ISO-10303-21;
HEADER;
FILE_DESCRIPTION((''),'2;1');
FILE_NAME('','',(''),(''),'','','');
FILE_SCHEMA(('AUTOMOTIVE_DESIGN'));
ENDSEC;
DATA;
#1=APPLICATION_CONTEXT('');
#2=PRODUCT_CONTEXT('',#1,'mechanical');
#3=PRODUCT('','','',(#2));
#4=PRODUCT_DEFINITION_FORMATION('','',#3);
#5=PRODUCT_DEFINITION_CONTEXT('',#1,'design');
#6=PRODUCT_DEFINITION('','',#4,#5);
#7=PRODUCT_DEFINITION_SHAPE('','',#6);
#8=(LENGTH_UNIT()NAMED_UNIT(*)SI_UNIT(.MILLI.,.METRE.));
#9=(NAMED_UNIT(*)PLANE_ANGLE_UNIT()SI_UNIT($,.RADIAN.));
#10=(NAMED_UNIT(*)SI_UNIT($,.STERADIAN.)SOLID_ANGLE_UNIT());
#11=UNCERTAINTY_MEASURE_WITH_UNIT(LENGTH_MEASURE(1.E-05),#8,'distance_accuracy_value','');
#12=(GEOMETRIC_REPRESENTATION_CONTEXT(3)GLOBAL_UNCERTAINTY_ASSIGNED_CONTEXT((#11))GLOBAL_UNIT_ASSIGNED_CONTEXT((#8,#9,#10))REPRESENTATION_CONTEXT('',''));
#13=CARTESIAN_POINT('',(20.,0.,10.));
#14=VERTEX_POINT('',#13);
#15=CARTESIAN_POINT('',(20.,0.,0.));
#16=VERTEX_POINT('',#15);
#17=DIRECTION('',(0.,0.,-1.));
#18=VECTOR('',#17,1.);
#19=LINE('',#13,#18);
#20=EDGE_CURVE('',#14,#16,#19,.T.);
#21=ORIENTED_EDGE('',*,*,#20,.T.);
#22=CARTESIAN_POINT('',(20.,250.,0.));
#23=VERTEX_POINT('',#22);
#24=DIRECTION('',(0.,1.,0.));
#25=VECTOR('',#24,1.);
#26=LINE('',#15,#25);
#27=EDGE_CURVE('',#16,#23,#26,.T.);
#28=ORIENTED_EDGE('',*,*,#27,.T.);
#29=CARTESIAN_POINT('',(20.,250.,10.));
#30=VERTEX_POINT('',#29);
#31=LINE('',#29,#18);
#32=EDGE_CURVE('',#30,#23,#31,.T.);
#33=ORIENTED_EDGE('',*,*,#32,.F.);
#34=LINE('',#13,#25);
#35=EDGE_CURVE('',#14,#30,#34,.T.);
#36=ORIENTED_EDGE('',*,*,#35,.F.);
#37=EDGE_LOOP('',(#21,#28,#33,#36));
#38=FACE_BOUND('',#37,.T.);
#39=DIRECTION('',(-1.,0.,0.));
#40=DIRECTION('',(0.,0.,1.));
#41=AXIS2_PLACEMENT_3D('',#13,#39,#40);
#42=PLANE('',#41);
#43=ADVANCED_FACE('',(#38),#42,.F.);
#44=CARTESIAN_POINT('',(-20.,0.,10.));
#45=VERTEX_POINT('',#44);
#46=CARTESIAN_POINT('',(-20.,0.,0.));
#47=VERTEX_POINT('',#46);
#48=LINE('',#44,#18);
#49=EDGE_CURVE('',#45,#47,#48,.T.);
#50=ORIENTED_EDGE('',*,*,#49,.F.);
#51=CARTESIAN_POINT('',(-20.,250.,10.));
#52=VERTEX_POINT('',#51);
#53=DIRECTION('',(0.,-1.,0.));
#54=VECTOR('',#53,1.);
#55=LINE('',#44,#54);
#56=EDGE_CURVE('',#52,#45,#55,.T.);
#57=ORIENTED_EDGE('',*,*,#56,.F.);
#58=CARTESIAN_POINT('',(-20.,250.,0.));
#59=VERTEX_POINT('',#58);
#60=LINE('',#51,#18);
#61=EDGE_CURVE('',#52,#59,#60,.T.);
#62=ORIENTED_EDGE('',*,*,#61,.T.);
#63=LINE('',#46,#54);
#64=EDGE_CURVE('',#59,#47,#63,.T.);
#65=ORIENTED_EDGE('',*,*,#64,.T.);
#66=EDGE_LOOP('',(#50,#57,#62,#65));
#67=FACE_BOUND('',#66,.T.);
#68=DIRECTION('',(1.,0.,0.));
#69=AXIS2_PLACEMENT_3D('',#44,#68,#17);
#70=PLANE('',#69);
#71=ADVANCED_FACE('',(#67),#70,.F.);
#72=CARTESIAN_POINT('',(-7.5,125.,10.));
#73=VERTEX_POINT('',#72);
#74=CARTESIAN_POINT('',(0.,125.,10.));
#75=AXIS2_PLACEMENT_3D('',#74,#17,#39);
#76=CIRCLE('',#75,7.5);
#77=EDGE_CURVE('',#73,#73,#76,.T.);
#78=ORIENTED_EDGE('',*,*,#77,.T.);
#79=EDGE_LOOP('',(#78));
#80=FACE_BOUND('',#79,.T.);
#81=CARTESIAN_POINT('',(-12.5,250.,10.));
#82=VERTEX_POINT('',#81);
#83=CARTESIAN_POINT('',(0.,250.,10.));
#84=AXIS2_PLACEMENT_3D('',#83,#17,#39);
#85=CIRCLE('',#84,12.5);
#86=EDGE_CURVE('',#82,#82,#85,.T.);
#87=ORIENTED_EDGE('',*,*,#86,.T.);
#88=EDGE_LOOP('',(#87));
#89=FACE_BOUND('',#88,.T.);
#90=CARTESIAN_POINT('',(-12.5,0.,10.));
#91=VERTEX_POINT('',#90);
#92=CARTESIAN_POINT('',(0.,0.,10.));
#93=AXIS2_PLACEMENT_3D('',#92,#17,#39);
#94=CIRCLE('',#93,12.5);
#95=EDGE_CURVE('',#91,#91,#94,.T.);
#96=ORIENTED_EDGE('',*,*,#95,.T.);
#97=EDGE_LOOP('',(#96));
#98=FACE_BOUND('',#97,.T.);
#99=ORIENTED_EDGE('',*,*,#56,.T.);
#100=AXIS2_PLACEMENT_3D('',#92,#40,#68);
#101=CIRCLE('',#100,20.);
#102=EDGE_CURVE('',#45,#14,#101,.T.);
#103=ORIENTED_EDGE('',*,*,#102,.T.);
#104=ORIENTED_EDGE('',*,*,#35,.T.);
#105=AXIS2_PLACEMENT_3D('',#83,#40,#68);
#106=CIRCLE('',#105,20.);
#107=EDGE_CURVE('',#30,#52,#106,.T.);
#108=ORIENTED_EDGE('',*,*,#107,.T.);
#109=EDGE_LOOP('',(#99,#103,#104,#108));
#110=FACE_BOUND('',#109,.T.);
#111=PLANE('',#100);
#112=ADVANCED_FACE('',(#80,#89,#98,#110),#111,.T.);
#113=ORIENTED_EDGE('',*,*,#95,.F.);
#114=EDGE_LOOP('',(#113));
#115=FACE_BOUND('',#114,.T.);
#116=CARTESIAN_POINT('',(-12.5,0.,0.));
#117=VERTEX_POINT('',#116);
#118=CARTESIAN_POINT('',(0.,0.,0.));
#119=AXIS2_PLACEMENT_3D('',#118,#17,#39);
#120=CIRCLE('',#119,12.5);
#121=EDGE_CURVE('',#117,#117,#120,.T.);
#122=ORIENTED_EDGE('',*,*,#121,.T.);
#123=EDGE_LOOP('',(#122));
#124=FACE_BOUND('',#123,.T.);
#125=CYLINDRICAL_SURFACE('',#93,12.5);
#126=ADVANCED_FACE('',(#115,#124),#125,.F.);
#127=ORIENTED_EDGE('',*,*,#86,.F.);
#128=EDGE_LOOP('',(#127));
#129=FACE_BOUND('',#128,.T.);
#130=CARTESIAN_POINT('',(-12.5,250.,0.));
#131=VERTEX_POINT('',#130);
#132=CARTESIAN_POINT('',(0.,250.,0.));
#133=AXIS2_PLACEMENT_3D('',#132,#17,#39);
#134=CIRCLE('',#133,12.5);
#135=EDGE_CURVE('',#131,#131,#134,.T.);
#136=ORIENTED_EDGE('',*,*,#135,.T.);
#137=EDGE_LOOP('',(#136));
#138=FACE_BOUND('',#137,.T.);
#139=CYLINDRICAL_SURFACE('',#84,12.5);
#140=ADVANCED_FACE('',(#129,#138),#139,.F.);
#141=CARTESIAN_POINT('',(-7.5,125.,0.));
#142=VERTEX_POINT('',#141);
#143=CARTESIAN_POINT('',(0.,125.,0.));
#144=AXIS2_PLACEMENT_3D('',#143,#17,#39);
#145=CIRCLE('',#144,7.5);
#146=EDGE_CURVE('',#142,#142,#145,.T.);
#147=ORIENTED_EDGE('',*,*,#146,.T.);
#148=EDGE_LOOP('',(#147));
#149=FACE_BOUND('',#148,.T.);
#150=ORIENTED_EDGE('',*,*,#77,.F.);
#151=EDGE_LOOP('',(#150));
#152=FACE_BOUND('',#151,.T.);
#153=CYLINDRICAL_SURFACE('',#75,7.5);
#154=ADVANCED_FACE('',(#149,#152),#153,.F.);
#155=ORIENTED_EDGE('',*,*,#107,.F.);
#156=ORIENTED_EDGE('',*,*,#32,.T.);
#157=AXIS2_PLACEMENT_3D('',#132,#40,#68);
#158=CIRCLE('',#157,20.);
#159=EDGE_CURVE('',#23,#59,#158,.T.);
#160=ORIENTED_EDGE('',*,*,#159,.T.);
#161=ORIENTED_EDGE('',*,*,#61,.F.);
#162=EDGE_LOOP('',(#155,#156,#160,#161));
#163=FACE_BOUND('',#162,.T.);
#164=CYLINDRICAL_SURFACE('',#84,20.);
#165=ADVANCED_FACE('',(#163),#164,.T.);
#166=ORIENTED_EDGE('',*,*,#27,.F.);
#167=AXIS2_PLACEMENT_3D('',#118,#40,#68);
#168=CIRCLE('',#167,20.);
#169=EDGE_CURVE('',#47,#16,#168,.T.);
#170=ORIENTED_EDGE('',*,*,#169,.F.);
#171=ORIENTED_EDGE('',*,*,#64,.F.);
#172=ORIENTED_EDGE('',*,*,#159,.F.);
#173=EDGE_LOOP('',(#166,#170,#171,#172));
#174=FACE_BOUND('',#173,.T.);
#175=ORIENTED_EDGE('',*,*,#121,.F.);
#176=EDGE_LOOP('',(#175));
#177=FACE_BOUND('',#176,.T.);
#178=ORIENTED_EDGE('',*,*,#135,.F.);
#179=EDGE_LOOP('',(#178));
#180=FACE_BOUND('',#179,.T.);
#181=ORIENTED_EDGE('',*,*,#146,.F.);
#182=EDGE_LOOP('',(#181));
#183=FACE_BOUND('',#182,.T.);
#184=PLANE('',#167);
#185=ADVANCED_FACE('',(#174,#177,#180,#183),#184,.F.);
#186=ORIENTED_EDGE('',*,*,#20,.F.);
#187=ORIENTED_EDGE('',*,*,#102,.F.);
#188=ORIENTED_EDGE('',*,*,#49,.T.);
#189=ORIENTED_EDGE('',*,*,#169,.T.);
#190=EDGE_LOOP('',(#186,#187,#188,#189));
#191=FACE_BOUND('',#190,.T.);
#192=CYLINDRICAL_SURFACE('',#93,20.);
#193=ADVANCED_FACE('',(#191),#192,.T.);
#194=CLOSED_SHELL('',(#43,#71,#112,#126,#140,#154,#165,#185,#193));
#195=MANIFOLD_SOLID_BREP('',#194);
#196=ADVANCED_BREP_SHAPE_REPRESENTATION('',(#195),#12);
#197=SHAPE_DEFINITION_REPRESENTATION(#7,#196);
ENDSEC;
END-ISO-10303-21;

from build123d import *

# Parameters (mm, degrees)
BOSS_EXTRUDE1_DEPTH = 10
SKETCH2_R           = 12.5
CUT_EXTRUDE1_DEPTH  = 271.924343683
SKETCH3_R           = 7.5
CUT_EXTRUDE2_DEPTH  = 10


with BuildPart() as part:
    # Sketch1 → Boss-Extrude1 (new body)
    with BuildSketch(Plane.XY):
        with BuildLine():
            Line((-20, 0), (-20, 250))
            ThreePointArc((-20, 250), (0, 270), (20, 250))
            Line((20, 250), (20, 0))
            ThreePointArc((20, 0), (0, -20), (-20, 0))
        make_face()
    extrude(amount=BOSS_EXTRUDE1_DEPTH)

    # Sketch2 → Cut-Extrude1 (cut, through all)
    with BuildSketch(Plane(origin=(0, 0, 0), x_dir=(-1, 0, 0), z_dir=(0, 0, -1))):
        Circle(SKETCH2_R)
        with Locations((0, 250)):
            Circle(SKETCH2_R)
    extrude(amount=-CUT_EXTRUDE1_DEPTH, mode=Mode.SUBTRACT)

    # Sketch3 → Cut-Extrude2 (cut)
    with BuildSketch(Plane(origin=(0, 0, 0), x_dir=(-1, 0, 0), z_dir=(0, 0, -1))):
        with Locations((0, 125)):
            Circle(SKETCH3_R)
    extrude(amount=-CUT_EXTRUDE2_DEPTH, mode=Mode.SUBTRACT)


solid = part.part
